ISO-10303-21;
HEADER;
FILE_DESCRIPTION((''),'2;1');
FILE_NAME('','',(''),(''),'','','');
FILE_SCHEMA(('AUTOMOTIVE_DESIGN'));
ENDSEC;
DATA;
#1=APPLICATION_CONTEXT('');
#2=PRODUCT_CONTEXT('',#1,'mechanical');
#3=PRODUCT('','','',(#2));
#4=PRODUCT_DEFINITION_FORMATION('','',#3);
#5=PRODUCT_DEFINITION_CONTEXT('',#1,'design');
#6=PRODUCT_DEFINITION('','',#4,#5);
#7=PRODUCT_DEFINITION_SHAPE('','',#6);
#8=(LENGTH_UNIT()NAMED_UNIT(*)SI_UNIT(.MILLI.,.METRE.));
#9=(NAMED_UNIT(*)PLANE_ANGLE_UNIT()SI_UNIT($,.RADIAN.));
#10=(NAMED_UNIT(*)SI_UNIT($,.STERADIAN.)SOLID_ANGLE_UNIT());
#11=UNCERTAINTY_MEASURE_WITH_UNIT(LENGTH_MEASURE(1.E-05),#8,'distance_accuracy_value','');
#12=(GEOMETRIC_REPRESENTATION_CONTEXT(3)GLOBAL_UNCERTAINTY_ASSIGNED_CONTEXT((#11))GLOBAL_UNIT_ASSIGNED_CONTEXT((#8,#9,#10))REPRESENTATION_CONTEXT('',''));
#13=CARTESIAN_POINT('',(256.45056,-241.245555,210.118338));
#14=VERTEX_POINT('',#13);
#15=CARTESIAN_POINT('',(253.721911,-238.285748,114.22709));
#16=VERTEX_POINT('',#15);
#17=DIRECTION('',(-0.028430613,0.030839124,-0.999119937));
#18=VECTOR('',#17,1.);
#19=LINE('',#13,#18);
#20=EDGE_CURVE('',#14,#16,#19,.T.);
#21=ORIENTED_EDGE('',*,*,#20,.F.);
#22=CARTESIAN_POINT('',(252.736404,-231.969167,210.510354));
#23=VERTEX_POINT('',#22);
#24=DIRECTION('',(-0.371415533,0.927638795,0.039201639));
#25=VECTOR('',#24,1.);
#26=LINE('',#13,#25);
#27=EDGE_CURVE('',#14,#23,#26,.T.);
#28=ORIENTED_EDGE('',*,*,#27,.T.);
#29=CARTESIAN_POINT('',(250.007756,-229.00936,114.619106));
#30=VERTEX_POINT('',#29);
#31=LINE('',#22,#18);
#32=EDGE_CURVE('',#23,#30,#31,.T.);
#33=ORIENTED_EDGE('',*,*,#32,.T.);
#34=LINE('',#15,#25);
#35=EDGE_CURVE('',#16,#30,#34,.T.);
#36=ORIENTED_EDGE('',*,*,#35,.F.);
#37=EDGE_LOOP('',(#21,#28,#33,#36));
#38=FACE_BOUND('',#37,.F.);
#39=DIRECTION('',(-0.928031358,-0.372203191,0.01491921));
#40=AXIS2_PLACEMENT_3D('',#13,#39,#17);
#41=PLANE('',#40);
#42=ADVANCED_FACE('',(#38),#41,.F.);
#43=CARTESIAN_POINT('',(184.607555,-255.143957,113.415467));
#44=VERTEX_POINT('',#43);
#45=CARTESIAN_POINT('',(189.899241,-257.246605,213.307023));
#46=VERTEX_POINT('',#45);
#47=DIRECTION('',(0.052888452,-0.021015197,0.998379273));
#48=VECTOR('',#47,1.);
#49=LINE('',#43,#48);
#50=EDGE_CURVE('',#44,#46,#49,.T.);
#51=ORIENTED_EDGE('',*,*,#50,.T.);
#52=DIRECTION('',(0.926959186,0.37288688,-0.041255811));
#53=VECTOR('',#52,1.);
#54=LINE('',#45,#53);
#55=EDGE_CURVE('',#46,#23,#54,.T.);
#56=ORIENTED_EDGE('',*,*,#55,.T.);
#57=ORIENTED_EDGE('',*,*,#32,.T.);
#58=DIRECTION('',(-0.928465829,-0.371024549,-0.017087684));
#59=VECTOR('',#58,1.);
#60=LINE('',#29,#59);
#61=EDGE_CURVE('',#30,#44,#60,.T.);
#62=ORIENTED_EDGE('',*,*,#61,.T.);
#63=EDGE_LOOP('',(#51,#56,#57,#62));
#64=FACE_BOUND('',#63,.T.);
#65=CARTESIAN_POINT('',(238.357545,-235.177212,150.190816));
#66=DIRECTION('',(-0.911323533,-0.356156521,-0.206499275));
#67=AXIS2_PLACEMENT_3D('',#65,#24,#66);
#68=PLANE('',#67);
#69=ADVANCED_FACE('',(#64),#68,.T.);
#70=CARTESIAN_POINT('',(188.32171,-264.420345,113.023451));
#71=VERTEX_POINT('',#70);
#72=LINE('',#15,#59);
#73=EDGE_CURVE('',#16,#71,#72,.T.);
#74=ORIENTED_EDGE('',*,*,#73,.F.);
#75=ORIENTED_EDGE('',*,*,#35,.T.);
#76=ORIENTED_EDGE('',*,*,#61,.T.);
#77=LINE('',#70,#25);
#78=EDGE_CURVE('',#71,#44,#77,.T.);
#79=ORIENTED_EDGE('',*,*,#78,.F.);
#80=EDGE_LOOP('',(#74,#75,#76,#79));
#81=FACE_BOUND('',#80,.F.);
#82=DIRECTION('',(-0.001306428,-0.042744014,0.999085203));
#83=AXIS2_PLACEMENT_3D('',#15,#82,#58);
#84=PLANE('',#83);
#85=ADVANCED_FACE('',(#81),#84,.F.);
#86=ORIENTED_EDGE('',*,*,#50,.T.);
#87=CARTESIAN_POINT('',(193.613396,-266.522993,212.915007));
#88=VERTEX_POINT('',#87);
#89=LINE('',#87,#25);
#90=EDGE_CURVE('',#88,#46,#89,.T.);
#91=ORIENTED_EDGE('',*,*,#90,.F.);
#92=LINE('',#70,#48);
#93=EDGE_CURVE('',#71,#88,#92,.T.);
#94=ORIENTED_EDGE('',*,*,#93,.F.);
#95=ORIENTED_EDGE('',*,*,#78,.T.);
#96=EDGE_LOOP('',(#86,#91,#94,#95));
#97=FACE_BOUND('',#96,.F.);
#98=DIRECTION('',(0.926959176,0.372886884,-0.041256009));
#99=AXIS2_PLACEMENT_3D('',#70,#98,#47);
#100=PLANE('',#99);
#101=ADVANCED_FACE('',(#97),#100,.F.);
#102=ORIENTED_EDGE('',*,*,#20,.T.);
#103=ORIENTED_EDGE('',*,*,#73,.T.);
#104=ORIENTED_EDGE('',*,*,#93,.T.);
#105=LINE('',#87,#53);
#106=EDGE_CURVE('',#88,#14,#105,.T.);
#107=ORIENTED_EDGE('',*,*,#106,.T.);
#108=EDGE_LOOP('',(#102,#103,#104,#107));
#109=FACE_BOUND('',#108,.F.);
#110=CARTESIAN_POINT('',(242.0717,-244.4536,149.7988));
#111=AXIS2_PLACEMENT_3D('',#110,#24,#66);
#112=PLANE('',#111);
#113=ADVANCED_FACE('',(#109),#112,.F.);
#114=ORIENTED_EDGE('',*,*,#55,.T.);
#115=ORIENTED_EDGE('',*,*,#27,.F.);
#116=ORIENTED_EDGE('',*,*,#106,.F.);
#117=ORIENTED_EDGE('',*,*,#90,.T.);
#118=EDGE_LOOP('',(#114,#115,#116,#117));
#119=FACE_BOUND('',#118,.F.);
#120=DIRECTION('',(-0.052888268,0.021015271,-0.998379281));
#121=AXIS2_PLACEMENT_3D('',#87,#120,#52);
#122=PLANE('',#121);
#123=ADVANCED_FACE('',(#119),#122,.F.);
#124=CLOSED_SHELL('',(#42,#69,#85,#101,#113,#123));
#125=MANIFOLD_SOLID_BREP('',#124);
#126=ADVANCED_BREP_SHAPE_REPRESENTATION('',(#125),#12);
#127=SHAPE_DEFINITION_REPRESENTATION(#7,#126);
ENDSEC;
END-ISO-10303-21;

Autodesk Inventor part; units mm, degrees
ref_plane "YZ Plane" through (0, 0, 0) normal (1, 0, 0) x (0, 1, 0)
ref_plane "XZ Plane" through (0, 0, 0) normal (0, 1, 0) x (-1, 0, 0)
ref_plane "XY Plane" through (0, 0, 0) normal (0, 0, 1) x (1, 0, 0)
ref_plane "РабПлоскость1" through (242.0717, -244.4536, 149.7988) normal (-0.3714, 0.9276, 0.0392) x (-0.9113, -0.3562, -0.2065)
sketch "Эскиз1" plane through (242.0717, -244.4536, 149.7988) normal (-0.3714, 0.9276, 0.0392) x (-0.9113, -0.3562, -0.2065)
  line L0 (38.9879, 72.7933) -> (-26.7023, 56.0578)
  line L1 (63.689, -24.1634) -> (38.9879, 72.7933)
  line L2 (-26.7023, 56.0578) -> (-5.4683, -37.5395)
  line L3 (-5.4683, -37.5395) -> (63.689, -24.1634)
  point P0 (164.4728, -130.9329)
extrude "Выдавливание1" add sketch "Эскиз1" along normal blind 10
properties part number "Грунт"
